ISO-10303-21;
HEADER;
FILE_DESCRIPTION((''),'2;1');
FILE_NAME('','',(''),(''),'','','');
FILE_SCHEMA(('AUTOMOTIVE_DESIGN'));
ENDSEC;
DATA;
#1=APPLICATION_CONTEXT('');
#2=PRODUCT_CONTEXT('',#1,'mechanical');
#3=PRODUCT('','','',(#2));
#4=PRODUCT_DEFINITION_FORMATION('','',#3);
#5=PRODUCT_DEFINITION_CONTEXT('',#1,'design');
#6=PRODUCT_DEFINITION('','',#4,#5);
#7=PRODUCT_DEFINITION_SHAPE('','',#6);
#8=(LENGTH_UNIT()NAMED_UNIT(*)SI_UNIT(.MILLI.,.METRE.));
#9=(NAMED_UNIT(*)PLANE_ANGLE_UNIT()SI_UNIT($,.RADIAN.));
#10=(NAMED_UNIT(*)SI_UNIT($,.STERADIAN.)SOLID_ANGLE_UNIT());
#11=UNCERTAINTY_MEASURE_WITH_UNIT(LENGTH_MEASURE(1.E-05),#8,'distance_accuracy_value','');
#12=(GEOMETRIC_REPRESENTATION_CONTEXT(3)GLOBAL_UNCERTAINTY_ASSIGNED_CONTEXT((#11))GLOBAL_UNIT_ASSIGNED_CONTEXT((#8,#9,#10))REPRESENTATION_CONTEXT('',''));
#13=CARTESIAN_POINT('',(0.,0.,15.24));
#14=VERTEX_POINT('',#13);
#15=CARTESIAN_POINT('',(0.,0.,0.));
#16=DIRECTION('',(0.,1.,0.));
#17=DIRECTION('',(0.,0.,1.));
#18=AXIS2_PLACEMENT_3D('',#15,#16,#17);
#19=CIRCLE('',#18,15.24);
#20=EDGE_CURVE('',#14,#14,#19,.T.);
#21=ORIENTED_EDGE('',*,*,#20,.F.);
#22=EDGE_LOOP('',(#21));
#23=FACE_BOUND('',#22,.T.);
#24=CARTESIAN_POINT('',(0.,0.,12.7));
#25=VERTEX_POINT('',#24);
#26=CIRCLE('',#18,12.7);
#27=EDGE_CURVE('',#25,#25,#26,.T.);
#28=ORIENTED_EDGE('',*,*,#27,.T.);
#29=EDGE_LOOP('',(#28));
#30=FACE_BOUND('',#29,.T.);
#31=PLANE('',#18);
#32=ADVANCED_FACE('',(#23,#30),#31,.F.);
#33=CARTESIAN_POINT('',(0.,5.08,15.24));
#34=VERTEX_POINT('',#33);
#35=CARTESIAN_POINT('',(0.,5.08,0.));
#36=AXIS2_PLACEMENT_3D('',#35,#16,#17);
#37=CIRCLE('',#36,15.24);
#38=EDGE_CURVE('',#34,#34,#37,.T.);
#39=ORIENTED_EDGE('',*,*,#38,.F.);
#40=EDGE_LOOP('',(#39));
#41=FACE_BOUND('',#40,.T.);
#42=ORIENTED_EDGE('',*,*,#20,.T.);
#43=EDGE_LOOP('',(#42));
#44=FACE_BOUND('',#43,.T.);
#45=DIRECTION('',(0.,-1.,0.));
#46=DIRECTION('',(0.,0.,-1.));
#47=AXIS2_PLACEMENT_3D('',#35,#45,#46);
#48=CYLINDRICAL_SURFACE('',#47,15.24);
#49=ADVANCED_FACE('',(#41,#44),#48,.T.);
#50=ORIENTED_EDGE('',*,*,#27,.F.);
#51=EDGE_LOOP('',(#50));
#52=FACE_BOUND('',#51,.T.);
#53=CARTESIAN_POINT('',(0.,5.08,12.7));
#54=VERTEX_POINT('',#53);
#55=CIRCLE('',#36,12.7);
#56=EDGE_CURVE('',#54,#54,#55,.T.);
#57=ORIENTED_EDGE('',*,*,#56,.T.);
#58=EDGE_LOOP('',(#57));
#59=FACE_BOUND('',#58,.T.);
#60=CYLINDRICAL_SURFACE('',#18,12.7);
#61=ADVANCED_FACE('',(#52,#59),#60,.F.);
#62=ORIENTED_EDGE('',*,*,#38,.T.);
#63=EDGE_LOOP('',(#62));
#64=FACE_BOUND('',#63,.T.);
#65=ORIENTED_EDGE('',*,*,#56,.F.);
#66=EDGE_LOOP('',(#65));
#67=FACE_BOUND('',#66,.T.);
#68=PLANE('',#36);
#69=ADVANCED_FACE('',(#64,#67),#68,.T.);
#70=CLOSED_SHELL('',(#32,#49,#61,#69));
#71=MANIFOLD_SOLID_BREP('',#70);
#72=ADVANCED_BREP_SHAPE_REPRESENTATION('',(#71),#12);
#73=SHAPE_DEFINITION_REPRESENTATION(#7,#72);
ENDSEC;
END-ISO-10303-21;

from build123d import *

# Parameters (mm, degrees)
SKETCH1_R           = 15.24
BOSS_EXTRUDE1_DEPTH = 5.08
SKETCH2_R           = 12.7
CUT_EXTRUDE1_DEPTH  = 5.08


with BuildPart() as part:
    # Sketch1 → Boss-Extrude1 (new body)
    with BuildSketch(Plane(origin=(0, 0, 0), x_dir=(1, 0, 0), z_dir=(0, 1, 0))):
        with Locations(Location((0, 0, 0), (0, 0, 270))):
            Circle(SKETCH1_R)
    extrude(amount=BOSS_EXTRUDE1_DEPTH)

    # Sketch2 → Cut-Extrude1 (cut)
    with BuildSketch(Plane(origin=(0, 5.08, 0), x_dir=(1, 0, 0), z_dir=(0, 1, 0))):
        with Locations(Location((0, 0, 0), (0, 0, 270))):
            Circle(SKETCH2_R)
    extrude(amount=-CUT_EXTRUDE1_DEPTH, mode=Mode.SUBTRACT)


solid = part.part
